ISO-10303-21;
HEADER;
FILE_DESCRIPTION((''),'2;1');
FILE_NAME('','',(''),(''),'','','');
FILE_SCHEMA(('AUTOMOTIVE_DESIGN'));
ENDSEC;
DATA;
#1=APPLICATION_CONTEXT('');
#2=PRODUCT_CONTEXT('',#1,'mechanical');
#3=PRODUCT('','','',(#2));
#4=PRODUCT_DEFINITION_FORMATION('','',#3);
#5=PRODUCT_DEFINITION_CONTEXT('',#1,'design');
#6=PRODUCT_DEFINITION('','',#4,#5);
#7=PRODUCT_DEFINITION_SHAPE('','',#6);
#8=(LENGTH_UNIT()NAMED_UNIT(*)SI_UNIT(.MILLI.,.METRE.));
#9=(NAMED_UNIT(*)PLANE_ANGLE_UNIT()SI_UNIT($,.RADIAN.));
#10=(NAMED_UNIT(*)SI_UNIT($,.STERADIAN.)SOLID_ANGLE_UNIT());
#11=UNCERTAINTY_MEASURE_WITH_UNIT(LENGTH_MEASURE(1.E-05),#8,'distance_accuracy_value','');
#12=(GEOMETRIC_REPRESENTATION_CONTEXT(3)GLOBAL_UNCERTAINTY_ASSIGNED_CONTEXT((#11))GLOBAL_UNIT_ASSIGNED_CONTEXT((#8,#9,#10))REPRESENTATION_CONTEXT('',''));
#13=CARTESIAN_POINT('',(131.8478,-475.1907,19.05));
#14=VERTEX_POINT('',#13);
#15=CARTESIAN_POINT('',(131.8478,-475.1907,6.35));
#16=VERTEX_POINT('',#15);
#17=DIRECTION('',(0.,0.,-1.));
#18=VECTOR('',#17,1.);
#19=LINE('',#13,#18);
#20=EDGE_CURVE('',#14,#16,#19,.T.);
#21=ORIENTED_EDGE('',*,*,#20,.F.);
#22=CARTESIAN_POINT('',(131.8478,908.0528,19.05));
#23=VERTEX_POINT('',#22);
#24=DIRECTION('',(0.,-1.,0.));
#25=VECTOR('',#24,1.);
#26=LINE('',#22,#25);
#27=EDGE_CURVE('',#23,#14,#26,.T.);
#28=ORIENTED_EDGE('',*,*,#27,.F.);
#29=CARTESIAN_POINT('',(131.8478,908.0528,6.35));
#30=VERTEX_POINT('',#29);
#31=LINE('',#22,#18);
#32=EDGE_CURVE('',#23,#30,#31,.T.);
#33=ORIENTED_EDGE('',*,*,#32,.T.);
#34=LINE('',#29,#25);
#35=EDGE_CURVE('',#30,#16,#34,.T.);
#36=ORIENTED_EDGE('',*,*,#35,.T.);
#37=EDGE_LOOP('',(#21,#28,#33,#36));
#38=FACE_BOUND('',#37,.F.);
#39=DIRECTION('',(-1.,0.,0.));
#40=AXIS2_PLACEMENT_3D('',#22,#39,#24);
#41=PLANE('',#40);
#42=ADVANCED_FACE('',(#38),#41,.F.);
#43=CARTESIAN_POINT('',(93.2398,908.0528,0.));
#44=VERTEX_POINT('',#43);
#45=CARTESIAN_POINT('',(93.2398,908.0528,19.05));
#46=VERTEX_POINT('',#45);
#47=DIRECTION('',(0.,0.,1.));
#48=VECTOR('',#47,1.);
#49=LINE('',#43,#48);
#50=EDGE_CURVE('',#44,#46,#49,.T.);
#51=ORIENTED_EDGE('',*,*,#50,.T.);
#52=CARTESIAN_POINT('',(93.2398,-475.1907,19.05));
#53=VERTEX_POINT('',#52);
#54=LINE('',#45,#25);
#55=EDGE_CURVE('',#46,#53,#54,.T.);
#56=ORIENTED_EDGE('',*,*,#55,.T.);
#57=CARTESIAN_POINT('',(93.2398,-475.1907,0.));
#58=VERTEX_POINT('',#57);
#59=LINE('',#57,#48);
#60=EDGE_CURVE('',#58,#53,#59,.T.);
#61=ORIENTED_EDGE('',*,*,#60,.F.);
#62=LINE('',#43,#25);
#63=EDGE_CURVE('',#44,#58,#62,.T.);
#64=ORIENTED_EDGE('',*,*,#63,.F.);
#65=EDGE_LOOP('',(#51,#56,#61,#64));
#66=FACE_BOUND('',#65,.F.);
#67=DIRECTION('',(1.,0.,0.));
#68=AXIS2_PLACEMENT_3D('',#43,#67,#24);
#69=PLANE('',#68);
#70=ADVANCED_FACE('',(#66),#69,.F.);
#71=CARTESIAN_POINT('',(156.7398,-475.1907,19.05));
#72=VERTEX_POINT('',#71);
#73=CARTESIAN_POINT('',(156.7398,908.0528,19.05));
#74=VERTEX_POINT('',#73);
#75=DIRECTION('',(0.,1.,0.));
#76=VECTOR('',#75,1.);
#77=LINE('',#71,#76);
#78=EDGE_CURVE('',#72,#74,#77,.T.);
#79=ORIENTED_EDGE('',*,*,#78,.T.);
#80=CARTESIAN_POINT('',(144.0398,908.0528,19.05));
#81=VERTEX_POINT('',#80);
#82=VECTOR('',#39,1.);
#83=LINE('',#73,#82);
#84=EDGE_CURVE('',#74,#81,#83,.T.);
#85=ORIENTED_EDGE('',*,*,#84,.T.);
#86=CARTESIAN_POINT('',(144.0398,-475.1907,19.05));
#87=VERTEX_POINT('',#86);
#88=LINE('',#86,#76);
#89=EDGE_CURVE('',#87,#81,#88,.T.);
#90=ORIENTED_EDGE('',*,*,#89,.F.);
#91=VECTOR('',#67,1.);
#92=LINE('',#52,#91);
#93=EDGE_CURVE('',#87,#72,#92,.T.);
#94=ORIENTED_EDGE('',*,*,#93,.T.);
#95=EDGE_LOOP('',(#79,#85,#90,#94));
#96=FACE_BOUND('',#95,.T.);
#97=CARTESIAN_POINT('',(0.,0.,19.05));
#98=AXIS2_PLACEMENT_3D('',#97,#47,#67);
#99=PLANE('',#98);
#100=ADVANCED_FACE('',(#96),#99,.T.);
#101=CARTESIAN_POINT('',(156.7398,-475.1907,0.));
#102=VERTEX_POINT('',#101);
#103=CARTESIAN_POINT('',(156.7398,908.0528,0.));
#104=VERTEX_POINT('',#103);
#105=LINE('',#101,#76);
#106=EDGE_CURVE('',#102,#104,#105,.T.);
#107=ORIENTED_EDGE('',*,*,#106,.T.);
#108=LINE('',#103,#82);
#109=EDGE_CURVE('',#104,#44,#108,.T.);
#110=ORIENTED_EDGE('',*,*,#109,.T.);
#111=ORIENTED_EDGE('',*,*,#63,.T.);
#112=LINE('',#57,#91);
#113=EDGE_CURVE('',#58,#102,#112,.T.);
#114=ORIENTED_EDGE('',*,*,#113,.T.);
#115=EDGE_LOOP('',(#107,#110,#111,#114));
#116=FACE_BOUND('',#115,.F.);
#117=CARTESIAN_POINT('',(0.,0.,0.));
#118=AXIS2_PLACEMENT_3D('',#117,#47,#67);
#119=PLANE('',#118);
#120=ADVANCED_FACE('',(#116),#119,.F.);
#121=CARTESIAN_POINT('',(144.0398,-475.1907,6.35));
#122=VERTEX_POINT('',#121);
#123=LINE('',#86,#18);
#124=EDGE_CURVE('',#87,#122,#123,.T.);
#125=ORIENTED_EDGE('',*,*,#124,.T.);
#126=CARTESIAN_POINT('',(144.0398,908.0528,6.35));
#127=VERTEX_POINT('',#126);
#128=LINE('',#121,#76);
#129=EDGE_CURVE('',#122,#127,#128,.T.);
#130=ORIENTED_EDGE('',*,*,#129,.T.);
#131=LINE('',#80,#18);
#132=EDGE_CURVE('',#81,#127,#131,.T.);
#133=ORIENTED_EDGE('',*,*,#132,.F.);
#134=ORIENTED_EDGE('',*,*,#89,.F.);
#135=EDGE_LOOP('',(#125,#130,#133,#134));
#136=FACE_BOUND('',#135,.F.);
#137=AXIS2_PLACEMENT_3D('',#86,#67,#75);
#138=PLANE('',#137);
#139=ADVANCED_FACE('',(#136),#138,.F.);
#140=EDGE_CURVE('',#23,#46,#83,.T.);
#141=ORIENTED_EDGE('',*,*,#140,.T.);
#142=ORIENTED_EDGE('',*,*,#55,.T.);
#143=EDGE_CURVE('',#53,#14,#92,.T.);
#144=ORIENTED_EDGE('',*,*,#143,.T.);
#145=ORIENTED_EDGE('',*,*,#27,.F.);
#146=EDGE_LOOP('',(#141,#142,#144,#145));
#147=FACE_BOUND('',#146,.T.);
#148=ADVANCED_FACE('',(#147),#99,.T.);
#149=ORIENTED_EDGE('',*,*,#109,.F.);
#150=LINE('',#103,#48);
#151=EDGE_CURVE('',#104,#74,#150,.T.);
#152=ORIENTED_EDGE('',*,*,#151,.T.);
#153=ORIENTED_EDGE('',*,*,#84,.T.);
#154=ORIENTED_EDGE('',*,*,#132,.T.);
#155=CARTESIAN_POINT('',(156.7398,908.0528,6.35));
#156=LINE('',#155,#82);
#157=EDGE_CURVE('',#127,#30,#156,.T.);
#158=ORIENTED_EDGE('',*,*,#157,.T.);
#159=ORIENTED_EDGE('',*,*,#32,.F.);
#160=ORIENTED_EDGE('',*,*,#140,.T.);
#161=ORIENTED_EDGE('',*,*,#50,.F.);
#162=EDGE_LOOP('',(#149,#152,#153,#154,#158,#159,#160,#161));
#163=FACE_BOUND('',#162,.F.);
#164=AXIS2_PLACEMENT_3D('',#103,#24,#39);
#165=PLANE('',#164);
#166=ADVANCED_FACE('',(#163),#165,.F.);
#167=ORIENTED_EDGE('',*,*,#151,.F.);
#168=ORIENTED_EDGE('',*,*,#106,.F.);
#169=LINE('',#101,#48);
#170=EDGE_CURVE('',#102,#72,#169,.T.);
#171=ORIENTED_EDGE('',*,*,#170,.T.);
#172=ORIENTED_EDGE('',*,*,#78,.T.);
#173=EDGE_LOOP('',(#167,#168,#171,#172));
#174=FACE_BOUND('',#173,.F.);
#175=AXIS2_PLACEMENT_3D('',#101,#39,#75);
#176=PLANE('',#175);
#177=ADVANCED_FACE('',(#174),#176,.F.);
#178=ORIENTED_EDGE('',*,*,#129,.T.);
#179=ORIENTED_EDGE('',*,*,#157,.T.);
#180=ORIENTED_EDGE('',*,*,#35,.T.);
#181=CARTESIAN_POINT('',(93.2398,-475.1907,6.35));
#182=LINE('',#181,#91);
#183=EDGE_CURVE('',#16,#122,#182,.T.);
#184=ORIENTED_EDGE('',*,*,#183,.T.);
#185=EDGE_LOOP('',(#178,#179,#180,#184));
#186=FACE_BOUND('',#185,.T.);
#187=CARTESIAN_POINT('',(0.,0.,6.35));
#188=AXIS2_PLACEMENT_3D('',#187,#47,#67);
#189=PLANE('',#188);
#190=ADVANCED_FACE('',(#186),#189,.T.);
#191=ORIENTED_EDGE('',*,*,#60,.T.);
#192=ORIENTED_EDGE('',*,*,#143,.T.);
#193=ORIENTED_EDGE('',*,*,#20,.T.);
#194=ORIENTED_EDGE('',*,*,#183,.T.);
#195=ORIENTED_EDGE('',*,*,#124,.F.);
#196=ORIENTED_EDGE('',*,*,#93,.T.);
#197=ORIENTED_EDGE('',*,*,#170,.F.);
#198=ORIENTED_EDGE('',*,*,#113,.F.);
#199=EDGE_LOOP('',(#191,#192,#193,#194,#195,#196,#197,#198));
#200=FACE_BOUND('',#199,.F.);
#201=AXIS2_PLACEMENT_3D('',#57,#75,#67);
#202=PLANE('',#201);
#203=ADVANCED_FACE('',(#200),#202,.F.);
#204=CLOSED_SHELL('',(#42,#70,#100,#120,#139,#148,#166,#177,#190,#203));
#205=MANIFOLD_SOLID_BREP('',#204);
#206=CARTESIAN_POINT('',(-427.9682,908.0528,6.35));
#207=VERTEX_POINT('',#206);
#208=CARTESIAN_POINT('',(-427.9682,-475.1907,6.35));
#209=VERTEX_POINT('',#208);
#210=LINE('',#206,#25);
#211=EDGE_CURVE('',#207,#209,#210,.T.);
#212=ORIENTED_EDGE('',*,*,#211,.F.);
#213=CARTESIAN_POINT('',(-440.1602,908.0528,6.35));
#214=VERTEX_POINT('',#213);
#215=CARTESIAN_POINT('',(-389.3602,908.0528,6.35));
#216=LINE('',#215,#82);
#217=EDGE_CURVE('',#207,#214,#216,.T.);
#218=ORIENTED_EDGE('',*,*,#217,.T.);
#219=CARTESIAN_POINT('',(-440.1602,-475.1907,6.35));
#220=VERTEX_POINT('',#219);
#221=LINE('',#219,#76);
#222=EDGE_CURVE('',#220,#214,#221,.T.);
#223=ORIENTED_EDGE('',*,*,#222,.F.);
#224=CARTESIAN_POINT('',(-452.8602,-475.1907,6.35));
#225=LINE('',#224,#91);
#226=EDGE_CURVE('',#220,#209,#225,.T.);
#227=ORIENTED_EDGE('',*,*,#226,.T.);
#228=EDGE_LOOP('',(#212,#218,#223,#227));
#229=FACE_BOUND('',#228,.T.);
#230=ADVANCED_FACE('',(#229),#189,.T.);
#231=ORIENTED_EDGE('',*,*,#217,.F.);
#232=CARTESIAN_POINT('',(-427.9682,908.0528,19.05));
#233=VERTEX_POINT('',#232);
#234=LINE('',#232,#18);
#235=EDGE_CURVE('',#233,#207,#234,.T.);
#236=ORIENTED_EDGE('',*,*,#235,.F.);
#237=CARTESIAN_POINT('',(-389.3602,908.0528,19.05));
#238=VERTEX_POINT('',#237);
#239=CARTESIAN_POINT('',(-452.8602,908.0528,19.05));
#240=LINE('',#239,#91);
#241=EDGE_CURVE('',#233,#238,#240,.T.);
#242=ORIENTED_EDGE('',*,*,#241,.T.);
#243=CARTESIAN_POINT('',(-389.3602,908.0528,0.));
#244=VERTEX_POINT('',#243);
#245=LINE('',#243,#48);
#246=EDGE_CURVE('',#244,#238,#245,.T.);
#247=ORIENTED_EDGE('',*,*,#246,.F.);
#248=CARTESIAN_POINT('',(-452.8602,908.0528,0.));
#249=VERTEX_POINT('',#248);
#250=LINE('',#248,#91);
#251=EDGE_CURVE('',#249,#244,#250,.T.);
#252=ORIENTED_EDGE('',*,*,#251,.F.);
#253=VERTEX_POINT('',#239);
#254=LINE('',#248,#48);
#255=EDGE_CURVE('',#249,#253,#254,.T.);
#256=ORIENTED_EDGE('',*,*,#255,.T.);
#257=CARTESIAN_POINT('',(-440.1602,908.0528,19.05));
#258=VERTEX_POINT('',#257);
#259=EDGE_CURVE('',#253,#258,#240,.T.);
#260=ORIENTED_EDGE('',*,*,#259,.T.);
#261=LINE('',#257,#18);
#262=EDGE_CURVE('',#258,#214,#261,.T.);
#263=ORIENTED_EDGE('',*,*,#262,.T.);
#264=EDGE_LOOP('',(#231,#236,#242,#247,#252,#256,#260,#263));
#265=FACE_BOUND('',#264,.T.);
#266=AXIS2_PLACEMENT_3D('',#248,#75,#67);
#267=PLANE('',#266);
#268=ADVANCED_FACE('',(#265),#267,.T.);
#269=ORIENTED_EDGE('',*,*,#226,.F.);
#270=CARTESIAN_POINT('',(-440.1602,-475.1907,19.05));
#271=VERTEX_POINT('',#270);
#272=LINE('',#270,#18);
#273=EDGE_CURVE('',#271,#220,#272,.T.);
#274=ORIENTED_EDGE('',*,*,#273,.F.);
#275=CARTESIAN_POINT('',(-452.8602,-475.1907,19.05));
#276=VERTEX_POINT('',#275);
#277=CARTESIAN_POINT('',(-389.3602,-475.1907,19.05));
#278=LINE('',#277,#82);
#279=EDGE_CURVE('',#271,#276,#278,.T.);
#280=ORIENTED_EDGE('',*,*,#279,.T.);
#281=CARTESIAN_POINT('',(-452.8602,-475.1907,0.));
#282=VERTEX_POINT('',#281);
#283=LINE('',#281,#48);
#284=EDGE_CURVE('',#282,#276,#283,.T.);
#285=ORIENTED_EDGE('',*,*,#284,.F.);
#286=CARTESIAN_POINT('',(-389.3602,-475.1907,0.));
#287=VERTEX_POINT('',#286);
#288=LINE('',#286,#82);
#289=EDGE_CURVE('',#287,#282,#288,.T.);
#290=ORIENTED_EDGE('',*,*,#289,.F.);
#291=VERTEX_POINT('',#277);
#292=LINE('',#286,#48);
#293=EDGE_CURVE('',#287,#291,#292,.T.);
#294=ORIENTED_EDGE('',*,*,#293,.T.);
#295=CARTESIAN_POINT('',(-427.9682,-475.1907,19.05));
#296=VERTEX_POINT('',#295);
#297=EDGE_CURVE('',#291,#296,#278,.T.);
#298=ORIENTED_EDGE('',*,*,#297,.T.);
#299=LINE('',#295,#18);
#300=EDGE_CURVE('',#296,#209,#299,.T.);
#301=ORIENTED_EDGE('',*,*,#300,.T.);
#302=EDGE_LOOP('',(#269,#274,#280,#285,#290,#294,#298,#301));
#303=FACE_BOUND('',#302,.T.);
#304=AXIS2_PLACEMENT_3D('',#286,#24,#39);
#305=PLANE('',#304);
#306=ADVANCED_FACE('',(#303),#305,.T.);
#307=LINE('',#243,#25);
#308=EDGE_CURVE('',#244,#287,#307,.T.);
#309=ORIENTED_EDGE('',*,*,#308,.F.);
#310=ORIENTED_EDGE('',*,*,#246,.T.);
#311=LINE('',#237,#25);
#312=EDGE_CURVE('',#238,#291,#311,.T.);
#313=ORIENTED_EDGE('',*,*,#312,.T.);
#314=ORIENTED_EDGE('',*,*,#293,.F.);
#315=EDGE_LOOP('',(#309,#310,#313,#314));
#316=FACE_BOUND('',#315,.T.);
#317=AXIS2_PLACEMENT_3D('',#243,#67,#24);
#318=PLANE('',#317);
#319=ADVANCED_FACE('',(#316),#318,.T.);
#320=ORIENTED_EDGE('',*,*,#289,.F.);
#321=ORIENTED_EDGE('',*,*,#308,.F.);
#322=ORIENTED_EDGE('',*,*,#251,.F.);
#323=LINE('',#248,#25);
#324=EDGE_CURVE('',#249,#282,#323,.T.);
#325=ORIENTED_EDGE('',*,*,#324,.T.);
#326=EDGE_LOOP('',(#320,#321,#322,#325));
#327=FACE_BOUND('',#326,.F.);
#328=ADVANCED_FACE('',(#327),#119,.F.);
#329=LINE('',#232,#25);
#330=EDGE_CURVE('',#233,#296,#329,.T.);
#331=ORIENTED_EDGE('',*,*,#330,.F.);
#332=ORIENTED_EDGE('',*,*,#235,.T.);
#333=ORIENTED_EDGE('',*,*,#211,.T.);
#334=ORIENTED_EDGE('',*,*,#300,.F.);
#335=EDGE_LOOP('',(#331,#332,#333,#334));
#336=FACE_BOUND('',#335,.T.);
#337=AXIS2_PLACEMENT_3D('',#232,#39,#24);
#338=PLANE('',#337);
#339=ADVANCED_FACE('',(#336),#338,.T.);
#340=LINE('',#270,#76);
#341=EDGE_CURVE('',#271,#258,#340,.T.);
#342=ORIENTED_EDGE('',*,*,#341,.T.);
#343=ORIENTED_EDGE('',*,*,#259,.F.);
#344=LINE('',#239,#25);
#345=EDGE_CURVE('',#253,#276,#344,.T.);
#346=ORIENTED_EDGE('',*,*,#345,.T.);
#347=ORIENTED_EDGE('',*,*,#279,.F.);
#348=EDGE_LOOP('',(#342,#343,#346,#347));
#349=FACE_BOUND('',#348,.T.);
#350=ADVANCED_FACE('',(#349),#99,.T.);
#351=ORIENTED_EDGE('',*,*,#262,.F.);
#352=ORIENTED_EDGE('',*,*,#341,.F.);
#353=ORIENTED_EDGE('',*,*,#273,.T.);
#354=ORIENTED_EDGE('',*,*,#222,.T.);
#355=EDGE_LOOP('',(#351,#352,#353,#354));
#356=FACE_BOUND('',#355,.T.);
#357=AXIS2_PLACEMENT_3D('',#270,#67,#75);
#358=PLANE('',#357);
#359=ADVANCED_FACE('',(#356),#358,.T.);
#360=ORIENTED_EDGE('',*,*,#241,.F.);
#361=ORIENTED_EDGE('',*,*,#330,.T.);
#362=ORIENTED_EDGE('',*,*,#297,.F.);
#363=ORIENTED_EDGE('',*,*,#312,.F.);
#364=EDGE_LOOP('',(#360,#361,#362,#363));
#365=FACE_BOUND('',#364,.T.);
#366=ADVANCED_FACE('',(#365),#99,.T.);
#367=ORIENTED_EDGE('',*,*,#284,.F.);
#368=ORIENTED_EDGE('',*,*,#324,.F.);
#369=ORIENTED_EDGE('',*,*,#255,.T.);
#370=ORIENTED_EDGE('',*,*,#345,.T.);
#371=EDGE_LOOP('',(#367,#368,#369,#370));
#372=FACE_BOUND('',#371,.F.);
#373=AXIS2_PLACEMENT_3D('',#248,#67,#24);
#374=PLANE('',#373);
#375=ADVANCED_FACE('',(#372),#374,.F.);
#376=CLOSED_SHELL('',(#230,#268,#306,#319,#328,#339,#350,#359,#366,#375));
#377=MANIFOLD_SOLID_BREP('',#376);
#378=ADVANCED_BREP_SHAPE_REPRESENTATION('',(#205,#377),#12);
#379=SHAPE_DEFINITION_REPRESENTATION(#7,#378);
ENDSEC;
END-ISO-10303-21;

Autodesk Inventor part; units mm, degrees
ref_plane "YZ Plane" through (0, 0, 0) normal (1, 0, 0) x (0, 1, 0)
ref_plane "XZ Plane" through (0, 0, 0) normal (0, 1, 0) x (-1, 0, 0)
ref_plane "XY Plane" through (0, 0, 0) normal (0, 0, 1) x (1, 0, 0)
ref_plane "Work Plane1" through (0, 0, 0) normal (0, 0, 1) x (1, 0, 0)
sketch "Sketch1" plane through (0, 0, 0) normal (0, 0, 1) x (1, 0, 0)
  line L0 (-452.8602, 908.0528) -> (-452.8602, -475.1907) projected
  line L1 (156.7398, -475.1907) -> (156.7398, 908.0528) projected
  line L2 (-452.8602, 908.0528) -> (-389.3602, 908.0528)
  line L3 (-389.3602, 908.0528) -> (-389.3602, -475.1907)
  line L4 (-389.3602, -475.1907) -> (-452.8602, -475.1907)
  line L5 (-452.8602, -475.1907) -> (-452.8602, 908.0528)
  line L6 (156.7398, 908.0528) -> (93.2398, 908.0528)
  line L7 (93.2398, 908.0528) -> (93.2398, -475.1907)
  line L8 (93.2398, -475.1907) -> (156.7398, -475.1907)
  line L9 (156.7398, -475.1907) -> (156.7398, 908.0528)
  point P0 (0, 0)
  dimension "borderW" = 63.5
  dimension "d1" = 63.5
extrude "Extrusion1" add sketch "Sketch1" along normal blind 19.05
sketch "Sketch2" plane through (0, 0, 19.05) normal (0, 0, 1) x (1, 0, 0)
  line L0 (-452.8602, 908.0528) -> (-452.8602, -475.1907) projected
  line L1 (-452.8602, -475.1907) -> (-389.3602, -475.1907) projected
  line L2 (-389.3602, 908.0528) -> (-452.8602, 908.0528) projected
  line L3 (156.7398, 908.0528) -> (93.2398, 908.0528) projected
  line L4 (93.2398, 908.0528) -> (93.2398, -475.1907) projected
  line L5 (93.2398, -475.1907) -> (156.7398, -475.1907) projected
  line L6 (156.7398, -475.1907) -> (156.7398, 908.0528) projected
  line L7 (-440.1602, 908.0528) -> (-427.9682, 908.0528)
  line L8 (-427.9682, 908.0528) -> (-427.9682, -475.1907)
  line L9 (-427.9682, -475.1907) -> (-440.1602, -475.1907)
  line L10 (-440.1602, -475.1907) -> (-440.1602, 908.0528)
  line L11 (144.0398, 908.0528) -> (131.8478, 908.0528)
  line L12 (131.8478, 908.0528) -> (131.8478, -475.1907)
  line L13 (131.8478, -475.1907) -> (144.0398, -475.1907)
  line L14 (144.0398, -475.1907) -> (144.0398, 908.0528)
  point P0 (0, 0)
  dimension "bRopeChannel" = 12.192
  dimension "d5" = 12.192
  dimension "d6" = 12.7
  dimension "d7" = 12.7
extrude "Extrusion2" cut sketch "Sketch2" against normal blind 12.7 contours L2 L8 L1 L10 | L14 L5 L12 L3
equation "\"d1\" = borderW"
equation "\"d5\" = bRopeChannel"
equation "\"d7\" = d6"
properties part number "HOT SideBorder" material "Rubber, Butyl"
